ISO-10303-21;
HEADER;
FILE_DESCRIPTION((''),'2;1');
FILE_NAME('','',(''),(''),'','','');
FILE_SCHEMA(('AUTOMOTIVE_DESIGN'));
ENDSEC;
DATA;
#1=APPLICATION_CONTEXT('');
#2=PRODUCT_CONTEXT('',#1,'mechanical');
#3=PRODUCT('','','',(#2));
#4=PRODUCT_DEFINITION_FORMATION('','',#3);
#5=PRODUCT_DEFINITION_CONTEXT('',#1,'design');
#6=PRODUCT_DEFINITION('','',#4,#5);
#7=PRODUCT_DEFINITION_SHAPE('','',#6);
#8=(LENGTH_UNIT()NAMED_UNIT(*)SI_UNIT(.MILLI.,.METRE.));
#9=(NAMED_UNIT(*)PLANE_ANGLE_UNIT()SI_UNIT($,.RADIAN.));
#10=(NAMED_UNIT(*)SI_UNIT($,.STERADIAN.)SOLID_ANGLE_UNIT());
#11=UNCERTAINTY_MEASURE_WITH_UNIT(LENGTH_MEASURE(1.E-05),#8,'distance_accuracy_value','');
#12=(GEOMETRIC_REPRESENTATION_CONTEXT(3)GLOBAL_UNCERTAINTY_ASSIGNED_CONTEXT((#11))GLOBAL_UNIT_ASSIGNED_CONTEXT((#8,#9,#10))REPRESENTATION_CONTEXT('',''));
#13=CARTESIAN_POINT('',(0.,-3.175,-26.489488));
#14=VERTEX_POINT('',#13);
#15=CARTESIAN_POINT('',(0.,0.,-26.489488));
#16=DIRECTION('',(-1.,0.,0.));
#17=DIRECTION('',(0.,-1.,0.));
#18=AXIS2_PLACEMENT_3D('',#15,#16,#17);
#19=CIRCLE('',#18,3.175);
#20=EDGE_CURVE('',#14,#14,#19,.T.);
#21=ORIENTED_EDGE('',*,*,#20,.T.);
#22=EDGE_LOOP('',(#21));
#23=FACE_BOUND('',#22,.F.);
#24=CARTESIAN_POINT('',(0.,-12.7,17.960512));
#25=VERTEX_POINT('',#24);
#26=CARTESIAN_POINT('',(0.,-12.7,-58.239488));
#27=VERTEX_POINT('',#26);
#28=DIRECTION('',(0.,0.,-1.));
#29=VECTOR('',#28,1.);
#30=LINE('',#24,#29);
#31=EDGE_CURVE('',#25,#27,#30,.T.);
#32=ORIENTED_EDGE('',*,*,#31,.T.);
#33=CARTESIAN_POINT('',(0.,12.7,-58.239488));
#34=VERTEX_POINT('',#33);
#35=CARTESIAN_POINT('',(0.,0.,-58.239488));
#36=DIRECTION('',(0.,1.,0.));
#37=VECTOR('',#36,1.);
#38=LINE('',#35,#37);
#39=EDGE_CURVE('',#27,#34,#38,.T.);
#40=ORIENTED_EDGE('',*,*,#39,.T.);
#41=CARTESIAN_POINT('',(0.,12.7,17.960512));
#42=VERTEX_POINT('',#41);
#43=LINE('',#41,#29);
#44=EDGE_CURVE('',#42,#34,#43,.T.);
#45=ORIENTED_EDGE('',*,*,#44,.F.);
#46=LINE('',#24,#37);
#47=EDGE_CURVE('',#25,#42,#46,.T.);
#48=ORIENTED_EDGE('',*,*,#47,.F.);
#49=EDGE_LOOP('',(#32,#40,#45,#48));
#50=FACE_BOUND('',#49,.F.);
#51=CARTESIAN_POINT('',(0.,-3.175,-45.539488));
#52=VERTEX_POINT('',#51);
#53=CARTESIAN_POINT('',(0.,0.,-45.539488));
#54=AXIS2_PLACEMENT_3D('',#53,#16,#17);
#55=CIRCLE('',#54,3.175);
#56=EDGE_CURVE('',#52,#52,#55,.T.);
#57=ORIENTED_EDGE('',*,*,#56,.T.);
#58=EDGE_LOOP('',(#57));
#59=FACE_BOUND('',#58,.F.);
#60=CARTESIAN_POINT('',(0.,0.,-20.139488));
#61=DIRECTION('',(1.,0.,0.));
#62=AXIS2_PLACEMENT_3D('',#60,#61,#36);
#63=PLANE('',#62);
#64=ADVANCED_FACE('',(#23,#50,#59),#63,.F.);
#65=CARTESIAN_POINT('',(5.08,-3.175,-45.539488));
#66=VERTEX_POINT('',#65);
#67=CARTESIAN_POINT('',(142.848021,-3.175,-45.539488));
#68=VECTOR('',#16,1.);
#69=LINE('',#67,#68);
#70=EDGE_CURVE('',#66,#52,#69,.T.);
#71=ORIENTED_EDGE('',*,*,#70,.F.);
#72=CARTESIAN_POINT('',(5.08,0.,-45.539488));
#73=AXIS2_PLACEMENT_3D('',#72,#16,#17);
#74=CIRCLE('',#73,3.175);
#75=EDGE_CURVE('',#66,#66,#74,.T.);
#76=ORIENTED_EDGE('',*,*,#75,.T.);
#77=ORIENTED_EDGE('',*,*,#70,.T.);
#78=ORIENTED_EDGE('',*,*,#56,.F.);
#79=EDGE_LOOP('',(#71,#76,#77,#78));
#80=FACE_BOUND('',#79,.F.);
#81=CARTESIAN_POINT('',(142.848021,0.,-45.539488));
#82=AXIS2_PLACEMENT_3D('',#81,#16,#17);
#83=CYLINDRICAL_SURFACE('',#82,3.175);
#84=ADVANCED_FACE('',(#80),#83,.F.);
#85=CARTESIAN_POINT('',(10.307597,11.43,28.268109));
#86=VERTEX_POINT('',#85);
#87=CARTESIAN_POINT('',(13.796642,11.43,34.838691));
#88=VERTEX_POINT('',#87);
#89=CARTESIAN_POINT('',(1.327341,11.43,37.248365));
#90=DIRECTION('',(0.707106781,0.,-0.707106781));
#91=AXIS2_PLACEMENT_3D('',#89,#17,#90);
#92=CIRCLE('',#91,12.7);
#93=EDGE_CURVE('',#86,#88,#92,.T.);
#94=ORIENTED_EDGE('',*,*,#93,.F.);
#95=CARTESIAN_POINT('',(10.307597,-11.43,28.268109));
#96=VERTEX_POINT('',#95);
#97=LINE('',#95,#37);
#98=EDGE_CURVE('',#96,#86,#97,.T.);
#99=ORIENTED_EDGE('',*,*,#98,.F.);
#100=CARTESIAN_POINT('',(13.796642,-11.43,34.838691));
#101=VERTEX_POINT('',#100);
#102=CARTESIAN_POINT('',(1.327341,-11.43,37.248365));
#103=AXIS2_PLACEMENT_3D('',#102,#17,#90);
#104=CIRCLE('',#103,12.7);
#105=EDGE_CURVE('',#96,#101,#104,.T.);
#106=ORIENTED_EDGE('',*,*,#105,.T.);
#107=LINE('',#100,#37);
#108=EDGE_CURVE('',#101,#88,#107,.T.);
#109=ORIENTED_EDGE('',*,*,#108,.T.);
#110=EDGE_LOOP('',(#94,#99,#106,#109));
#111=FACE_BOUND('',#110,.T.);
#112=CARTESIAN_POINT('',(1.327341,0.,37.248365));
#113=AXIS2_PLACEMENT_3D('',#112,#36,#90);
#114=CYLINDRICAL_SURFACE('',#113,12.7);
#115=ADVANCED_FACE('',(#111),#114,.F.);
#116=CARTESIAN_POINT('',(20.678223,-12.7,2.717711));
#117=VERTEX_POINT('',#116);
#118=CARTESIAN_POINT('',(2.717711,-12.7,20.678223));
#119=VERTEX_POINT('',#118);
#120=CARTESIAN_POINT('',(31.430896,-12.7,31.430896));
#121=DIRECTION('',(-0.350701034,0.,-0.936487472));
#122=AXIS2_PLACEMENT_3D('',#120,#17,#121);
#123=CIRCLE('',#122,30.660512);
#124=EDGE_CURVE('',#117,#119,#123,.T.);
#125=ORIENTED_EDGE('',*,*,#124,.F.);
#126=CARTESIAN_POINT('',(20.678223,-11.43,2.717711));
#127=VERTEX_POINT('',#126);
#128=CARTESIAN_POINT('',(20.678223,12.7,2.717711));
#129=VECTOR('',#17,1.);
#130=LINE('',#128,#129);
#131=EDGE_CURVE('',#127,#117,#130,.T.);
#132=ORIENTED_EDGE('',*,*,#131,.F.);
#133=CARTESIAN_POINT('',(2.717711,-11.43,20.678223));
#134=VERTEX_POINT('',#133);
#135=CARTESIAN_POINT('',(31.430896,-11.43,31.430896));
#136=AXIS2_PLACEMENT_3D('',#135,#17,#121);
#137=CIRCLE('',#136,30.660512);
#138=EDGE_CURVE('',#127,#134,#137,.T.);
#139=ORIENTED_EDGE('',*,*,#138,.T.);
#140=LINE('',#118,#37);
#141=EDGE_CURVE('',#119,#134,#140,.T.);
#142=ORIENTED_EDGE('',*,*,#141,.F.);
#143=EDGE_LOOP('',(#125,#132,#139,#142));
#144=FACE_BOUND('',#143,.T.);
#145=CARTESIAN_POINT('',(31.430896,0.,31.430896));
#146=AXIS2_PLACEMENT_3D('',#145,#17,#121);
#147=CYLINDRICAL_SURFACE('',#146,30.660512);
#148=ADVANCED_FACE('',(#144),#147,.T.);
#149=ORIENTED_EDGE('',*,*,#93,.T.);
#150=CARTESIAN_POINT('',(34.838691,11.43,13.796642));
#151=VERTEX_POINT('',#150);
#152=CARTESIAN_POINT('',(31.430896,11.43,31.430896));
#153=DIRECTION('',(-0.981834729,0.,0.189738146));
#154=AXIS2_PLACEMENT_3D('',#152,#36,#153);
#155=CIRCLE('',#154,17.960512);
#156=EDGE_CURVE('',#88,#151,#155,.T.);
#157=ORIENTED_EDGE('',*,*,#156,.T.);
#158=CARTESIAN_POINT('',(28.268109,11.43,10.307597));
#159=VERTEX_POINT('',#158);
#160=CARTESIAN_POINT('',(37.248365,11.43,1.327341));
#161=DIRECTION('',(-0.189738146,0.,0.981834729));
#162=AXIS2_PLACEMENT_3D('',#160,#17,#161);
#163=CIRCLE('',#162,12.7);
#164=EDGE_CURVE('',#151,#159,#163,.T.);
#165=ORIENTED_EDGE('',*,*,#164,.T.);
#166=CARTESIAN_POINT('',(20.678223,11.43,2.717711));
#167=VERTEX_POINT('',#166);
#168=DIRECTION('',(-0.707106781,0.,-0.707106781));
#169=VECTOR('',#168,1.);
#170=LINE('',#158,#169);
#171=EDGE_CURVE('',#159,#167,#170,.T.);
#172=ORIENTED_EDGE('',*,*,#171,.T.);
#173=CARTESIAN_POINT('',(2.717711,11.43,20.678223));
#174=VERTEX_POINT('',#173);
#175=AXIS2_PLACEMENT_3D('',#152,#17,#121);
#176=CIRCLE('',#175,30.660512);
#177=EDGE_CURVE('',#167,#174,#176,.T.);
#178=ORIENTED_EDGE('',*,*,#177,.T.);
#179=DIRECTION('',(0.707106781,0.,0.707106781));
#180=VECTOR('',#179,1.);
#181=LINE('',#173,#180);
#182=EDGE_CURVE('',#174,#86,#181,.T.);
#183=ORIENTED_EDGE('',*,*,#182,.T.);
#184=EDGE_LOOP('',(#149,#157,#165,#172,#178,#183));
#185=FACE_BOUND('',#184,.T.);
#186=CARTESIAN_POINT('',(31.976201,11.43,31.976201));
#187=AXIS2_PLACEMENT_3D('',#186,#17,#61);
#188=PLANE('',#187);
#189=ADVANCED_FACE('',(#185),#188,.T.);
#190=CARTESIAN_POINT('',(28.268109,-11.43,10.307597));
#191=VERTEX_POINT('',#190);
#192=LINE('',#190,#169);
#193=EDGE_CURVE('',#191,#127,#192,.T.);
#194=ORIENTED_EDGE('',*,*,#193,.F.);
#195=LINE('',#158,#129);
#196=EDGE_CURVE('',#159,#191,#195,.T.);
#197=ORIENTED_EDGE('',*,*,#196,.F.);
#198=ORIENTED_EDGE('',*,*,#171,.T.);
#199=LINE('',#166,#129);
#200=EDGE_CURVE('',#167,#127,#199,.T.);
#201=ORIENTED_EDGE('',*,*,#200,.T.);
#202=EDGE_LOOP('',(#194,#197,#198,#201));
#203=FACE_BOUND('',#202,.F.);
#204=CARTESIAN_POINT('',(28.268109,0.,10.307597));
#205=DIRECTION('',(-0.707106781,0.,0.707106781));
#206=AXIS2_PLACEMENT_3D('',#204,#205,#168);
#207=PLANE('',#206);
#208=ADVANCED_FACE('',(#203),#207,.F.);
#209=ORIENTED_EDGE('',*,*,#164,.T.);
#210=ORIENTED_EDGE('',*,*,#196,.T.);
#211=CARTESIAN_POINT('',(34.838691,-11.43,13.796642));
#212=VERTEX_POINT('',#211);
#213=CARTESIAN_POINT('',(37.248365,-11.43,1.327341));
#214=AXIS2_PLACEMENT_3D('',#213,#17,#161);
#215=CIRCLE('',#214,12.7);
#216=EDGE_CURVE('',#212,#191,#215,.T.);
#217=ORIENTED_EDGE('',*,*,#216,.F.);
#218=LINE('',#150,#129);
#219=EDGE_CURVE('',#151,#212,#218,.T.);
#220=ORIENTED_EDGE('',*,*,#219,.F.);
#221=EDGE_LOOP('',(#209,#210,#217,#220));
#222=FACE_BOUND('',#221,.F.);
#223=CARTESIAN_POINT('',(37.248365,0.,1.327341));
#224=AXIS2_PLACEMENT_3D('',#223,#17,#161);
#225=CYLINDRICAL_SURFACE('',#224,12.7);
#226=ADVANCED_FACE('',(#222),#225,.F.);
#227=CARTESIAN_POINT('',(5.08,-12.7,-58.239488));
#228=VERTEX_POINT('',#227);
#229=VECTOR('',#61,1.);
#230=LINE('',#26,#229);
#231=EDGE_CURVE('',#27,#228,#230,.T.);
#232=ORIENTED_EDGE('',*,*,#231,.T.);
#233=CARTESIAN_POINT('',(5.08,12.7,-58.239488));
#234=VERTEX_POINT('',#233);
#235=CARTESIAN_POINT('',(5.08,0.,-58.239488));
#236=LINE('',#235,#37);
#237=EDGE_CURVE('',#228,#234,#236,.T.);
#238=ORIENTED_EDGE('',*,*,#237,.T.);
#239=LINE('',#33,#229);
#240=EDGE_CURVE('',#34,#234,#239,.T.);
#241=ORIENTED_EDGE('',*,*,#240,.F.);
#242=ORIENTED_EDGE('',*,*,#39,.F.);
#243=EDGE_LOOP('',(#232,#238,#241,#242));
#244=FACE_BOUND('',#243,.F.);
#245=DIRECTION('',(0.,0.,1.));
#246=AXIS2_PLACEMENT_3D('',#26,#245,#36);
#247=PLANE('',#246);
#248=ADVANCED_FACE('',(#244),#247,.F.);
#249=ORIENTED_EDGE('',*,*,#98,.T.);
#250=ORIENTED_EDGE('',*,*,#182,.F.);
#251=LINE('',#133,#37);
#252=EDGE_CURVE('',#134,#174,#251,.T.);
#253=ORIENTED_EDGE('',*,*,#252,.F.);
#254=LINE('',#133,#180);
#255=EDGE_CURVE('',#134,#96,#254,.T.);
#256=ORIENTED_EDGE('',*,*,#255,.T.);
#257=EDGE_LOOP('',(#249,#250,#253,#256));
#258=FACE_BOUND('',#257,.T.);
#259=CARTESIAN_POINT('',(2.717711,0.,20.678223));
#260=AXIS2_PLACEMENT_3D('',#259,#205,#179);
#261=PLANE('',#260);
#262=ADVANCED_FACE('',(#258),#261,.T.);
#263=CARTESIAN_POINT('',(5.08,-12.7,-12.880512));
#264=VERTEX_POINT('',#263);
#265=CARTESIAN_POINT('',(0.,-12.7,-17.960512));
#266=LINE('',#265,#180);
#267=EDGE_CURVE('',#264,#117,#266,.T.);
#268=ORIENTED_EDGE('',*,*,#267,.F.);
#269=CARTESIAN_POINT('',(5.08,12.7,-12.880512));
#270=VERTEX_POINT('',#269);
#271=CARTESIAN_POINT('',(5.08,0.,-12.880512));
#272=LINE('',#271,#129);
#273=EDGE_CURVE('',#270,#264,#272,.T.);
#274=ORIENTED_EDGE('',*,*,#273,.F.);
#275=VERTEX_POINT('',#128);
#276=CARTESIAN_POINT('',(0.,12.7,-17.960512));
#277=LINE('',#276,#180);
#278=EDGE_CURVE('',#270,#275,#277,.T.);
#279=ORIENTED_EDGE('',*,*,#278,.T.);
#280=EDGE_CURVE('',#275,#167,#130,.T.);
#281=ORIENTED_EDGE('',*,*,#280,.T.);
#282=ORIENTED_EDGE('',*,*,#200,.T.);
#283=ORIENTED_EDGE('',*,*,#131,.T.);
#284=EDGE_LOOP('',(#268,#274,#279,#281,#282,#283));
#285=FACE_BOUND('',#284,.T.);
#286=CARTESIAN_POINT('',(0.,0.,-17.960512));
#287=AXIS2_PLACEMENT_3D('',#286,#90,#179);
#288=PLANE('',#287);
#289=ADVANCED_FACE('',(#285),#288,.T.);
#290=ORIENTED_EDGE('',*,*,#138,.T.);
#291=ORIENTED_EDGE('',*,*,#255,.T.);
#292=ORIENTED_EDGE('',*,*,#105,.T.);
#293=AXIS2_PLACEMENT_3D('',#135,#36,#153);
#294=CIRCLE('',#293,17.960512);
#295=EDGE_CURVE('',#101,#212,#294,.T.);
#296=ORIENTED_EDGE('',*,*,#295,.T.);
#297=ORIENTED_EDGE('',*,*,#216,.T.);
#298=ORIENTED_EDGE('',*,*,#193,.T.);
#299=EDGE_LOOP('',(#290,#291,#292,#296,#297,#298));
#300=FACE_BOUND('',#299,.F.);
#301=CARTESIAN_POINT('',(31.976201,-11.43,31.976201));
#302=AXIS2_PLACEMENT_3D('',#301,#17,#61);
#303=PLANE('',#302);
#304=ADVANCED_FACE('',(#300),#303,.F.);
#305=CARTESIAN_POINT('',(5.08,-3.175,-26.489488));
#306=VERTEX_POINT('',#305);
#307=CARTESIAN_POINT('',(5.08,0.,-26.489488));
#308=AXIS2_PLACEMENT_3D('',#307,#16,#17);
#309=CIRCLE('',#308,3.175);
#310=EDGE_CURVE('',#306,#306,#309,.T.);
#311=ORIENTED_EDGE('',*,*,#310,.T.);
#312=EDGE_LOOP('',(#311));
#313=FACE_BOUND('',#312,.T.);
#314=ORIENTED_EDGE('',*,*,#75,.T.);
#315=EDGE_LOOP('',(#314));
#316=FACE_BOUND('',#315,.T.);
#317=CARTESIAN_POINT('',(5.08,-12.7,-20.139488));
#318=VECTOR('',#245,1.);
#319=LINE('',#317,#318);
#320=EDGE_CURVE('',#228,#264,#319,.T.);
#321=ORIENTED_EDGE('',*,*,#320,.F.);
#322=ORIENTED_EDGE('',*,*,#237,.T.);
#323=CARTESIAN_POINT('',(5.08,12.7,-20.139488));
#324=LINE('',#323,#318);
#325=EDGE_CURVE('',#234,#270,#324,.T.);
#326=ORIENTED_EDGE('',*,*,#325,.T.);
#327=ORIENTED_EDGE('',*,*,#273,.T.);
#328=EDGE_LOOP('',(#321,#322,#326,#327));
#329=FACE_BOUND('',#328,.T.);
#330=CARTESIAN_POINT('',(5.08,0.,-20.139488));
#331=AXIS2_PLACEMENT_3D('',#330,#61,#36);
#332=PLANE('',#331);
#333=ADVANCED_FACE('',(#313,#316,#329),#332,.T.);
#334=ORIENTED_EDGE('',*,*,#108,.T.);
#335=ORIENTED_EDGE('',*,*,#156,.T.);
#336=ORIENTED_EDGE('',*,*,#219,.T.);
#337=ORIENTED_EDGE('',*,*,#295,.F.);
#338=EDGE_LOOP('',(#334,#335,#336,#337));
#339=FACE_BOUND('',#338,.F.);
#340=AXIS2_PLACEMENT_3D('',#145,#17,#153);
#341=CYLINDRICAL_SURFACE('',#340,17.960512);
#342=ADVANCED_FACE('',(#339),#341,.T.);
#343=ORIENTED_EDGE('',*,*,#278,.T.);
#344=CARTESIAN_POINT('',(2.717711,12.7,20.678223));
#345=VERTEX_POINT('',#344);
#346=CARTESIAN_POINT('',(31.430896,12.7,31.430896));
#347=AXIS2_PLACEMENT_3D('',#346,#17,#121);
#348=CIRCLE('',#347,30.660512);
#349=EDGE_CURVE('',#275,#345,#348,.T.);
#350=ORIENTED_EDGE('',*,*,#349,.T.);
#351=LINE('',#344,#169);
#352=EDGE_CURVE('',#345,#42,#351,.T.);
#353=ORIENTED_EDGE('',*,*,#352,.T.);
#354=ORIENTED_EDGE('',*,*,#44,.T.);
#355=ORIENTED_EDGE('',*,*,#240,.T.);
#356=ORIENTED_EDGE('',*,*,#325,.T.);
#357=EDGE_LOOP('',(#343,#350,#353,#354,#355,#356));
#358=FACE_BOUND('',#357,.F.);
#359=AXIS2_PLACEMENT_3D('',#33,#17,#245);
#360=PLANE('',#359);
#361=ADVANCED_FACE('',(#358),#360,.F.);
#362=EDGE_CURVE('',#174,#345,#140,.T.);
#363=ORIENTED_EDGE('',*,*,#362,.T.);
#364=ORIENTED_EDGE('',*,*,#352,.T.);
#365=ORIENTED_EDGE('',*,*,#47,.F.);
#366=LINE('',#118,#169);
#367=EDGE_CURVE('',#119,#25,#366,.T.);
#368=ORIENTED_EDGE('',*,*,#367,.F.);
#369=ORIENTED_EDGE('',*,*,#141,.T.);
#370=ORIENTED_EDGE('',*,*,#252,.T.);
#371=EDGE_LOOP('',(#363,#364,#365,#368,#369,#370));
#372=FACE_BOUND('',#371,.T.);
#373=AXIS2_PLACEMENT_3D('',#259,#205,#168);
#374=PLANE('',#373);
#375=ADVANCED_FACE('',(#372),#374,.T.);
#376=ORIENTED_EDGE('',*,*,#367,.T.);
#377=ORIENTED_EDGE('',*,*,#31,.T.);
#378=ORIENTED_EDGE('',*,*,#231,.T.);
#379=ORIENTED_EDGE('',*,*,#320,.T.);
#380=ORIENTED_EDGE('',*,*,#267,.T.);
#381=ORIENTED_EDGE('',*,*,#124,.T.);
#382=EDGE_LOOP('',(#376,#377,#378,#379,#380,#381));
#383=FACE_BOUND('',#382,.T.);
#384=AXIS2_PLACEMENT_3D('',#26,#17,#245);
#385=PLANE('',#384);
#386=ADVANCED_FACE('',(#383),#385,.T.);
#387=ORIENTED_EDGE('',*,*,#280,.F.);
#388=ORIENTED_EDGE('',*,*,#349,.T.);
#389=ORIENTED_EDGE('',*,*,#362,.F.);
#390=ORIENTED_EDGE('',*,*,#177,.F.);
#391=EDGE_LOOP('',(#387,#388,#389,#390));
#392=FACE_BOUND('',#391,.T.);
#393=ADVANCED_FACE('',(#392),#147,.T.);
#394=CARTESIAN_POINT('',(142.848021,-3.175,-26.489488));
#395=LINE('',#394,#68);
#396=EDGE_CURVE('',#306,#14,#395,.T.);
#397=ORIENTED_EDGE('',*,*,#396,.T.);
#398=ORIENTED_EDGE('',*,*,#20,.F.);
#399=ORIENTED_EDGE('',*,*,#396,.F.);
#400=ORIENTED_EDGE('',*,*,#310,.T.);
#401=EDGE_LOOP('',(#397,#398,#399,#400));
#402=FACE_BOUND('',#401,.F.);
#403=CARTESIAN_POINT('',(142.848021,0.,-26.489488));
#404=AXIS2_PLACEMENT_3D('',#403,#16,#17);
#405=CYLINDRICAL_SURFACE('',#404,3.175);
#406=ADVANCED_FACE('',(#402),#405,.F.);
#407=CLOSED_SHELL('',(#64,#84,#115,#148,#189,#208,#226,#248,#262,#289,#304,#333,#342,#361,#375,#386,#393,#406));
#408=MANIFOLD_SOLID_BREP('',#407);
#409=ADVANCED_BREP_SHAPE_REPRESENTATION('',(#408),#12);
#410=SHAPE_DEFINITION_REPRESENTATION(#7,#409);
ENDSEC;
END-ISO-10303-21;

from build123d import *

# Parameters (mm, degrees)
F1_DEPTH      = 12.7
F1_DEPTH_BACK = 12.7
F2_DEPTH      = 11.43
F2_DEPTH_BACK = 11.43
F3_W          = 25.4
F3_H          = 76.2
F4_DEPTH      = 5.08
F6_D          = 6.35


with BuildPart() as f1:
    # F0 (on Front) → F1 (new body, two sides)
    with BuildSketch(Plane.XZ) as f1_sk:
        with BuildLine():
            Line((0, 17.9605122421), (0, -17.9605122421))
            Line((0, -17.9605122421), (20.6782230746, 2.7177108325))
            Line((20.6782230746, 2.7177108325), (28.2681090435, 10.3075968013))
            ThreePointArc((28.2681090435, 10.3075968013), (31.2921928816, 12.5440252054), (34.8386907134, 13.7966417449))
            ThreePointArc((34.8386907134, 13.7966417449), (44.1308964237, 44.1308964237), (13.7966417449, 34.8386907134))
            ThreePointArc((13.7966417449, 34.8386907134), (12.5440252054, 31.2921928816), (10.3075968013, 28.2681090435))
            Line((10.3075968013, 28.2681090435), (2.7177108325, 20.6782230746))
            Line((2.7177108325, 20.6782230746), (0, 17.9605122421))
        make_face()
        with BuildLine():
            Line((28.2681090435, 10.3075968013), (20.6782230746, 2.7177108325))
            ThreePointArc((20.6782230746, 2.7177108325), (53.1111525448, 53.1111525448), (2.7177108325, 20.6782230746))
            Line((2.7177108325, 20.6782230746), (10.3075968013, 28.2681090435))
            ThreePointArc((10.3075968013, 28.2681090435), (12.5440252054, 31.2921928816), (13.7966417449, 34.8386907134))
            ThreePointArc((13.7966417449, 34.8386907134), (44.1308964237, 44.1308964237), (34.8386907134, 13.7966417449))
            ThreePointArc((34.8386907134, 13.7966417449), (31.2921928816, 12.5440252054), (28.2681090435, 10.3075968013))
        make_face()
    extrude(amount=F1_DEPTH)
    extrude(f1_sk.sketch, amount=-F1_DEPTH_BACK)

    # F0 (on Front) → F2 (cut, two sides)
    with BuildSketch(Plane.XZ) as f2_sk:
        with BuildLine():
            Line((28.2681090435, 10.3075968013), (20.6782230746, 2.7177108325))
            ThreePointArc((20.6782230746, 2.7177108325), (53.1111525448, 53.1111525448), (2.7177108325, 20.6782230746))
            Line((2.7177108325, 20.6782230746), (10.3075968013, 28.2681090435))
            ThreePointArc((10.3075968013, 28.2681090435), (12.5440252054, 31.2921928816), (13.7966417449, 34.8386907134))
            ThreePointArc((13.7966417449, 34.8386907134), (44.1308964237, 44.1308964237), (34.8386907134, 13.7966417449))
            ThreePointArc((34.8386907134, 13.7966417449), (31.2921928816, 12.5440252054), (28.2681090435, 10.3075968013))
        make_face()
    extrude(amount=-F2_DEPTH, mode=Mode.SUBTRACT)
    extrude(f2_sk.sketch, amount=F2_DEPTH_BACK, mode=Mode.SUBTRACT)

    # F3 (on Right) → F4 (join)
    with BuildSketch(Plane.YZ):
        with Locations((0, -20.1394877579)):
            Rectangle(F3_W, F3_H)
    extrude(amount=F4_DEPTH)

    # F6 (through all)
    with Locations(Plane.YZ.offset(5.08)):
        with Locations((0, -26.4894877579), (0, -45.5394877579)):
            Hole(F6_D / 2)


solid = f1.part
